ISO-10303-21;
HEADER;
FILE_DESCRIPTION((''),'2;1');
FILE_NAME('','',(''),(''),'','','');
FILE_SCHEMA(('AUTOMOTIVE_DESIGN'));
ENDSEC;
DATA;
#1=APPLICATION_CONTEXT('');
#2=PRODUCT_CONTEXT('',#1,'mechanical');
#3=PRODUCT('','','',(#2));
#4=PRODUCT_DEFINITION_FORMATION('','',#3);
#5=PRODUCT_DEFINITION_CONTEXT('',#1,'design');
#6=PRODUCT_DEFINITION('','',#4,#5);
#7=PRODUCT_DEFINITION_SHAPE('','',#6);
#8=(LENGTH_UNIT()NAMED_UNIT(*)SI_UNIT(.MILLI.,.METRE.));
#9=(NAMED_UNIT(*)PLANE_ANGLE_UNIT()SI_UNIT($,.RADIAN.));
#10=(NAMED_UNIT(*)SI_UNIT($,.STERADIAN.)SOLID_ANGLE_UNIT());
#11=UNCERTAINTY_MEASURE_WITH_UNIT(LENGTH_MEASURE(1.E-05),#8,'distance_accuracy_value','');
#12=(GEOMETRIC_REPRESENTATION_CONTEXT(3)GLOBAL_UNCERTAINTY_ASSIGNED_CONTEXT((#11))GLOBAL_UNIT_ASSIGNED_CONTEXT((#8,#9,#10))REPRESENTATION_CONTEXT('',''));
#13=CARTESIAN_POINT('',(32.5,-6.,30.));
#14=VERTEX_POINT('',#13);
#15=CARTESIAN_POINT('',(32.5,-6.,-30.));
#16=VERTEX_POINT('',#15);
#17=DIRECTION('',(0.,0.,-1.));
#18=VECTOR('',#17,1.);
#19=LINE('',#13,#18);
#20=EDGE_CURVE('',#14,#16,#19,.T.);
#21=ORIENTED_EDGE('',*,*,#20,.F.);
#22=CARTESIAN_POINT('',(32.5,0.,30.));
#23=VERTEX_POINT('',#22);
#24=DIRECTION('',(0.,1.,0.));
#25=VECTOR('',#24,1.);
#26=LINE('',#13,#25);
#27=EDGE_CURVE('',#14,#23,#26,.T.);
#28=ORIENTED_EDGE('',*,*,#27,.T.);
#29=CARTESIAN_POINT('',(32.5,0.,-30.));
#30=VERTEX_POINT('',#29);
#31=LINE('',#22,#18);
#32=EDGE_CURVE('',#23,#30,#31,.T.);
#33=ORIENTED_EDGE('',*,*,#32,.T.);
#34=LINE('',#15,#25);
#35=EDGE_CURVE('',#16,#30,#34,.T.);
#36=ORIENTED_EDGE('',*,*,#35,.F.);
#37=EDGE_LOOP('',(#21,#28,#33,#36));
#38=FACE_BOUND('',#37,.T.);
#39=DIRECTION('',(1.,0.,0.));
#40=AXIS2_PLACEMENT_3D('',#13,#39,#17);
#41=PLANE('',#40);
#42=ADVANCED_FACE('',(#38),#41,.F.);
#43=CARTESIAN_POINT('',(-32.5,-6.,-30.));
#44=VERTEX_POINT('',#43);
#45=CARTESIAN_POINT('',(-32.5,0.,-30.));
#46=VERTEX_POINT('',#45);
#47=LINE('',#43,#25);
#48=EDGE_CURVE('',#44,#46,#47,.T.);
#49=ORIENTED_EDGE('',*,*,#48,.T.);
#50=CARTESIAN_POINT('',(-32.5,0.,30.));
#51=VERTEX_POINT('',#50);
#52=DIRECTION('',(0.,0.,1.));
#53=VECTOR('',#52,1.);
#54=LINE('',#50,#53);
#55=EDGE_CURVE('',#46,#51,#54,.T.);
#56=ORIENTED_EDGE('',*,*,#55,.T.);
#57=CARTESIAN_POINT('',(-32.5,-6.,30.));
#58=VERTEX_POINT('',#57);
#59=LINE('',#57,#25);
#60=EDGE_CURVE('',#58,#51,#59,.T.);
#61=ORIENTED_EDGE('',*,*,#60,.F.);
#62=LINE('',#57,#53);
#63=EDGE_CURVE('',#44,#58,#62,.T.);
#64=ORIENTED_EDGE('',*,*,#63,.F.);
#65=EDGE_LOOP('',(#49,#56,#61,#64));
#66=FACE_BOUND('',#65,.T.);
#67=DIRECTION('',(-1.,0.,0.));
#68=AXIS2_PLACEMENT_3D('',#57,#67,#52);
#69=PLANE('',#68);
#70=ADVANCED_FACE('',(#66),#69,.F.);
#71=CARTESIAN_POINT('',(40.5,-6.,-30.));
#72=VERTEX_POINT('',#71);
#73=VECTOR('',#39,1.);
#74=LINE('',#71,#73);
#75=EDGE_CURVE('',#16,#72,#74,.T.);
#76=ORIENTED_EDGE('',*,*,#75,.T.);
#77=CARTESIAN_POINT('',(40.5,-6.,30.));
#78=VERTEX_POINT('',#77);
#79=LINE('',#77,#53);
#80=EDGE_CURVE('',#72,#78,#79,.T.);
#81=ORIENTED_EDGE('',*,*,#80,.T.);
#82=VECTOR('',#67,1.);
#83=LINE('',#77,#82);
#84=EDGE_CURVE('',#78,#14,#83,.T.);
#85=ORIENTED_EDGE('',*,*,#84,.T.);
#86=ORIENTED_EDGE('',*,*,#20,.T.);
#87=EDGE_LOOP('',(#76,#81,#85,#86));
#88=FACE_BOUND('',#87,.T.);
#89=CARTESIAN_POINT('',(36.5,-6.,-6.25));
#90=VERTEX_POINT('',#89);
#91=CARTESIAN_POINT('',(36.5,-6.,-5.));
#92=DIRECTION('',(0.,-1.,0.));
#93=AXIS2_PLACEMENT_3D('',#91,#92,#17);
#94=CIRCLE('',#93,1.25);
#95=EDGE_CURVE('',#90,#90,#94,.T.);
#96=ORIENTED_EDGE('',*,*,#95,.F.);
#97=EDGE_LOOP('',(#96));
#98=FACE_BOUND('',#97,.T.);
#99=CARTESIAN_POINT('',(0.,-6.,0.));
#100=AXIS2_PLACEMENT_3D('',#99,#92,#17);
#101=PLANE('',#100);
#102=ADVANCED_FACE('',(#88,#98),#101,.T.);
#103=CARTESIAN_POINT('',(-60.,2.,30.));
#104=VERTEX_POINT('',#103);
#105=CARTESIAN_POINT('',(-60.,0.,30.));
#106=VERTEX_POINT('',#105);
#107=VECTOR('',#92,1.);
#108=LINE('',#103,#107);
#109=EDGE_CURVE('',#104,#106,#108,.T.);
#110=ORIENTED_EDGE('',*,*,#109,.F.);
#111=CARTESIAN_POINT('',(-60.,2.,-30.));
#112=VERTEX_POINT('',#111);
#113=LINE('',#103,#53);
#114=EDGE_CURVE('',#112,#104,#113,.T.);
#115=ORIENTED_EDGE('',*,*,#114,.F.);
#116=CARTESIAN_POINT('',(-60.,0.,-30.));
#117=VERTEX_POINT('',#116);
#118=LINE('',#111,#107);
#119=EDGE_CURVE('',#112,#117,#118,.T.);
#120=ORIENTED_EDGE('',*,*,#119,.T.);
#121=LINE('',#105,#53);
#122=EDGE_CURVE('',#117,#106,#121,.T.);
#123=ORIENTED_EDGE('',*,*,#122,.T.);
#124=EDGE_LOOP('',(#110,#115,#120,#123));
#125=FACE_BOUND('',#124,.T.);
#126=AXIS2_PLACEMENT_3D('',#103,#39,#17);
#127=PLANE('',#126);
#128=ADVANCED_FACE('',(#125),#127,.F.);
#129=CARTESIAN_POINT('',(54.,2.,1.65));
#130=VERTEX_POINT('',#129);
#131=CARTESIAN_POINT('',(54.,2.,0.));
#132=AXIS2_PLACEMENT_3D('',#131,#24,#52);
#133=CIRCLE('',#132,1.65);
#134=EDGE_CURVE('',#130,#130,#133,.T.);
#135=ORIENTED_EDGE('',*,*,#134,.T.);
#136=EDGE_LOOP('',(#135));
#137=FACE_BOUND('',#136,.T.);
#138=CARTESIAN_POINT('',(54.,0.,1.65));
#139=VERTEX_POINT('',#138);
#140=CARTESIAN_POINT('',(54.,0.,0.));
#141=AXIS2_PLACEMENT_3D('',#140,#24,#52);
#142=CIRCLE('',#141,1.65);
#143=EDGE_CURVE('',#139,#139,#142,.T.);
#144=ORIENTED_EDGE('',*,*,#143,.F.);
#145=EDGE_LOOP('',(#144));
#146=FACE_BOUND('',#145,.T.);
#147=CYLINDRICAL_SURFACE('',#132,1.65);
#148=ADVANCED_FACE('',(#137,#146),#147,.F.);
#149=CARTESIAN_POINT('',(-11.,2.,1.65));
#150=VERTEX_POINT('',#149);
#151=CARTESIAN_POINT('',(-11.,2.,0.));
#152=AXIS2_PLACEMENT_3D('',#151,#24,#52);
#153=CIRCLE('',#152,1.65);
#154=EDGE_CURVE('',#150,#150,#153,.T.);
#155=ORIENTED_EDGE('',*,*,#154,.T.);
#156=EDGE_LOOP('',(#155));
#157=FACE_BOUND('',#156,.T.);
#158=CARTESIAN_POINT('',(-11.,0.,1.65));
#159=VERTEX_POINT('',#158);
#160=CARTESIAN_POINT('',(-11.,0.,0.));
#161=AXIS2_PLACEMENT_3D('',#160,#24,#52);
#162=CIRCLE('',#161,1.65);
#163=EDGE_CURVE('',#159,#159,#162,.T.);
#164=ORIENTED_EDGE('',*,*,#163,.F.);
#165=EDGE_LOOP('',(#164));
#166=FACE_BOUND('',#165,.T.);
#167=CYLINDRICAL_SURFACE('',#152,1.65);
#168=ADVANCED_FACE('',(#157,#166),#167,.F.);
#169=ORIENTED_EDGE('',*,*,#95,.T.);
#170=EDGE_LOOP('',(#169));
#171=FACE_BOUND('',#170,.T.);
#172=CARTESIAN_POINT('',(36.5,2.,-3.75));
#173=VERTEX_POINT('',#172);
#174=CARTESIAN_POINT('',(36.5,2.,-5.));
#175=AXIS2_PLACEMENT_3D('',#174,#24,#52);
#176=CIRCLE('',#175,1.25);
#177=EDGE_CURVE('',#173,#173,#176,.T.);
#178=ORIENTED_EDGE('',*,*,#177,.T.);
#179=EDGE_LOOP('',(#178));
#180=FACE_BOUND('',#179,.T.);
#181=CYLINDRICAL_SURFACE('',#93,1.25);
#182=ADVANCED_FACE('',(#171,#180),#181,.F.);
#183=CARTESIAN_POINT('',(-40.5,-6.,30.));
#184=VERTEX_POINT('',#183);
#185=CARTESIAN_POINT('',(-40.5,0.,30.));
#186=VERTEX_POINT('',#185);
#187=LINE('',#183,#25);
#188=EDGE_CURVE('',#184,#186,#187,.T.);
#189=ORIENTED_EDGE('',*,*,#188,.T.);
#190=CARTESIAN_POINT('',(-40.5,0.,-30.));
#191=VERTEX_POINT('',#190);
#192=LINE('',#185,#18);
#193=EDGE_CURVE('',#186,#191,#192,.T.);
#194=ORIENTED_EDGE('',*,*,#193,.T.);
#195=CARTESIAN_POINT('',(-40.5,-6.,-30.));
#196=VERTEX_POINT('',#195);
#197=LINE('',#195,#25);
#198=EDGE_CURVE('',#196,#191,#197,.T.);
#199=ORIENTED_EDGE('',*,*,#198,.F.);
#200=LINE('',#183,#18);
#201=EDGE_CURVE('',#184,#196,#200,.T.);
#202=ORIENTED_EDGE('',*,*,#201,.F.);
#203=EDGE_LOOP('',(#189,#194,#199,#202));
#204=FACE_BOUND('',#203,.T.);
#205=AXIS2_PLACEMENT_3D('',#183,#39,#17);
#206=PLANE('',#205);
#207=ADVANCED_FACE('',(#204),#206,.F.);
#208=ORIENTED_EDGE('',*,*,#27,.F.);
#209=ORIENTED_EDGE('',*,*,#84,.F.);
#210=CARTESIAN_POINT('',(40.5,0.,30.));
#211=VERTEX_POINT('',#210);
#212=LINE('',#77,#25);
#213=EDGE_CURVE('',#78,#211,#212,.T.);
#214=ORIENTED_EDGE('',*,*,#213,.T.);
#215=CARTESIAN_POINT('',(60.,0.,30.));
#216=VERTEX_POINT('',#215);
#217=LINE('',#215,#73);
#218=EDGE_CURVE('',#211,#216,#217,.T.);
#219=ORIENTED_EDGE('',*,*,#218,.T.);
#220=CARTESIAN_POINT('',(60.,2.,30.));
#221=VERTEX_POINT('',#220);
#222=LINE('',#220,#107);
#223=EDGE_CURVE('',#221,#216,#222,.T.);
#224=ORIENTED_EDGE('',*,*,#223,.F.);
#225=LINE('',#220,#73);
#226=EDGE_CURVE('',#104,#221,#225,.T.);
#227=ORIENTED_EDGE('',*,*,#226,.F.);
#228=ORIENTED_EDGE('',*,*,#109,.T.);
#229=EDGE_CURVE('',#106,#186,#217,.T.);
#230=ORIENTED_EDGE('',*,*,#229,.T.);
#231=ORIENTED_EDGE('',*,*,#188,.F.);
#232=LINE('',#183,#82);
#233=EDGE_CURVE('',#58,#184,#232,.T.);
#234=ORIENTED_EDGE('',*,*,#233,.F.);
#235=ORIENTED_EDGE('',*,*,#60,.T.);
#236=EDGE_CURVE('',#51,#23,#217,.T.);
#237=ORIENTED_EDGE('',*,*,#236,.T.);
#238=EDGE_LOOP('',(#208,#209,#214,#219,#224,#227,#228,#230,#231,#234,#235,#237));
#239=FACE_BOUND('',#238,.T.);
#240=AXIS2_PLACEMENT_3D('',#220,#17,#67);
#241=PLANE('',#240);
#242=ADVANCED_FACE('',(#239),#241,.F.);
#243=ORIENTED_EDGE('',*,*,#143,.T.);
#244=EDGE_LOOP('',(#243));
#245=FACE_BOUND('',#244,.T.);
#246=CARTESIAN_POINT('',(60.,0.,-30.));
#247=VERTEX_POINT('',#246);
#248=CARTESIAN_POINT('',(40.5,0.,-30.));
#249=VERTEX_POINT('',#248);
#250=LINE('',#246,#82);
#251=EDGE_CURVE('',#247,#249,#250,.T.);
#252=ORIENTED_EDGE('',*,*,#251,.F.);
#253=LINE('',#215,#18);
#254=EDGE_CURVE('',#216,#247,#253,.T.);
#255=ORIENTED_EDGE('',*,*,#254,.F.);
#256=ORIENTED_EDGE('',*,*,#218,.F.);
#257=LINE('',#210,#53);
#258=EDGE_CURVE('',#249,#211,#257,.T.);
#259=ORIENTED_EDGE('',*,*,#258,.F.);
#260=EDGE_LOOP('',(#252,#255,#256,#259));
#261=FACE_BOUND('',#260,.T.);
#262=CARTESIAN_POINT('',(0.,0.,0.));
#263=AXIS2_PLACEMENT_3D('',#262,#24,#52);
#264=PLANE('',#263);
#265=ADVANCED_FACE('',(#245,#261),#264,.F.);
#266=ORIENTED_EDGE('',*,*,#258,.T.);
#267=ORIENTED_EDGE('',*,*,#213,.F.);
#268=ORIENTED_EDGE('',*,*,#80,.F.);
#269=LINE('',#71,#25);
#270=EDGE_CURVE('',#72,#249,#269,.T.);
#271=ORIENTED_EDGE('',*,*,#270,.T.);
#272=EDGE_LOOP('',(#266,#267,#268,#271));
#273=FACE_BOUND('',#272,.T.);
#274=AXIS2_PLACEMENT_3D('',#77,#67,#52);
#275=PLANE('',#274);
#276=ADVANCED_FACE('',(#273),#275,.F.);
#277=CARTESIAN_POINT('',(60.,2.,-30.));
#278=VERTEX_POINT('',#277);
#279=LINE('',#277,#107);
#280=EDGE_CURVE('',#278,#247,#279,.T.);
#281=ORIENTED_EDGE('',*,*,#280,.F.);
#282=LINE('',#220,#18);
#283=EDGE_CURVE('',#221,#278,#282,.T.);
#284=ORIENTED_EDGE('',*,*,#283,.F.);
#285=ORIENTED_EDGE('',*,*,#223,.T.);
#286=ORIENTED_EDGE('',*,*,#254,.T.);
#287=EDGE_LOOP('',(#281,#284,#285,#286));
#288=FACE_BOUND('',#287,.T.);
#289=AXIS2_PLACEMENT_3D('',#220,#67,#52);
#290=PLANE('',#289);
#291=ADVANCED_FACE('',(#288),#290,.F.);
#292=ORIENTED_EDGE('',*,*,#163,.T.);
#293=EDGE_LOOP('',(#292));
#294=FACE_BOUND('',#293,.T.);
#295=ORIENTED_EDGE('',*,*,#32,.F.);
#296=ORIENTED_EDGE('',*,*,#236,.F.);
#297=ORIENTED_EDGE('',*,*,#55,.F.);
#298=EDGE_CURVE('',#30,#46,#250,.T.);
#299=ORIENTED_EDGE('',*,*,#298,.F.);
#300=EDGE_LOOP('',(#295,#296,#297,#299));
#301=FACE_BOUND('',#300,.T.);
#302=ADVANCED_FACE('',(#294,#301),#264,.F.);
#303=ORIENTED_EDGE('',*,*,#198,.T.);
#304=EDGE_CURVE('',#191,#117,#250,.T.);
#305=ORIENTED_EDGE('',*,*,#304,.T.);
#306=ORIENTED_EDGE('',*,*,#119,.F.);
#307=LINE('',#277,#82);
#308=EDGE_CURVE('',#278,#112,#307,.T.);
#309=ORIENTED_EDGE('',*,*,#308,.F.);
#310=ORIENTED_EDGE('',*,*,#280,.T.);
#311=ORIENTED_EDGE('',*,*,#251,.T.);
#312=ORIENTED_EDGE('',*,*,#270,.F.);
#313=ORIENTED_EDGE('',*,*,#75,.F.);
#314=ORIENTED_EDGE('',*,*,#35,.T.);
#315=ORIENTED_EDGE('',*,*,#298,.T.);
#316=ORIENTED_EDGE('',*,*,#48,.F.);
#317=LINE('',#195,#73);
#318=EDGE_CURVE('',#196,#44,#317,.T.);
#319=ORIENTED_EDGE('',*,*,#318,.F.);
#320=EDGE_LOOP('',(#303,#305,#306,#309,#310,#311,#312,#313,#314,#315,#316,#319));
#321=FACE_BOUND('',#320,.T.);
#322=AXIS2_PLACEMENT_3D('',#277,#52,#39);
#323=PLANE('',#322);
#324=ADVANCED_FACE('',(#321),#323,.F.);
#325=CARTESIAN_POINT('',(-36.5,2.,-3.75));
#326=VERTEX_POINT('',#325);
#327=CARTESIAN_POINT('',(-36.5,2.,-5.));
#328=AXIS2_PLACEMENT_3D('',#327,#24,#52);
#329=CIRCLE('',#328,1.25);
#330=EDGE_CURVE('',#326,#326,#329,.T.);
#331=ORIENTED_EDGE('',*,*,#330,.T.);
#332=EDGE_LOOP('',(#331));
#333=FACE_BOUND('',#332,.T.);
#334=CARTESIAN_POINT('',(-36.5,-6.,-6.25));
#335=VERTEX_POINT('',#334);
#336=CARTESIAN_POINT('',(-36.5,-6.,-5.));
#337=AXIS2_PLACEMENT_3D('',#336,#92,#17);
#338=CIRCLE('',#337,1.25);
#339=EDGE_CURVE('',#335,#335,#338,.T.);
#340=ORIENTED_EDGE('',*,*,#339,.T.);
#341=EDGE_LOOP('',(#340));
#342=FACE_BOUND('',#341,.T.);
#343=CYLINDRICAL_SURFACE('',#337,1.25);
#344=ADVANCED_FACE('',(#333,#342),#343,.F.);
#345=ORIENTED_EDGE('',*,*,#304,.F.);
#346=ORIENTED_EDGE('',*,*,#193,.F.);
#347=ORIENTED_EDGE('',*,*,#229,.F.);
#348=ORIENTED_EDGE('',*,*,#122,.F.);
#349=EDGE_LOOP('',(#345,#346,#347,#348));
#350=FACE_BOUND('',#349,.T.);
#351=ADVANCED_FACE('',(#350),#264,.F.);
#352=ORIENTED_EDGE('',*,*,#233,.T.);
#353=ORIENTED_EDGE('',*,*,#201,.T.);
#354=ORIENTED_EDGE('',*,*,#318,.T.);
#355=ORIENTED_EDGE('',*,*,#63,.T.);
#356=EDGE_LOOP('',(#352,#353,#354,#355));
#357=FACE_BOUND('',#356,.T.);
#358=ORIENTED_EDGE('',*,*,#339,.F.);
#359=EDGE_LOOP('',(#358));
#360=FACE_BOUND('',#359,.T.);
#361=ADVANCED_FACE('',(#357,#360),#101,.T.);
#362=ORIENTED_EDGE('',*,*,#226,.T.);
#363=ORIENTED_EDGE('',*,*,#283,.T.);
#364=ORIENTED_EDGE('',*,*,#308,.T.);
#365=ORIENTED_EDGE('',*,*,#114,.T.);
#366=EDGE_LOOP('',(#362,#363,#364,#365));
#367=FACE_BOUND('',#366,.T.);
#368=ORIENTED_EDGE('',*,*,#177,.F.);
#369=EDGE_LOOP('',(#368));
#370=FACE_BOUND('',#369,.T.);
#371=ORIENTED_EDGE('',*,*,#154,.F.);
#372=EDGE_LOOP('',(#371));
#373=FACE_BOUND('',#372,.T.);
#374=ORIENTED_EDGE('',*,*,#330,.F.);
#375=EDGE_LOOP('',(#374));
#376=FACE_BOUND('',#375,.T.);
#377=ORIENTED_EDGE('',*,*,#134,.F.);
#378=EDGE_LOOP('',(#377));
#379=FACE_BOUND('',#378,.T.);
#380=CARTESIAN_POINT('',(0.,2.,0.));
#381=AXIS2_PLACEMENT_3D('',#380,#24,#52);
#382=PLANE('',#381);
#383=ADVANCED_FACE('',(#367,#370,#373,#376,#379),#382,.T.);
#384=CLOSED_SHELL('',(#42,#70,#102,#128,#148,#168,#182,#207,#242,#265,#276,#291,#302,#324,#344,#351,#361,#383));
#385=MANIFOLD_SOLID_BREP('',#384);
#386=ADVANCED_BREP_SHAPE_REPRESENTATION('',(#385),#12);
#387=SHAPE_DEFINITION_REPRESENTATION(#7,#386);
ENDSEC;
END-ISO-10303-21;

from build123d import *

# Parameters (mm, degrees)
SKETCH_1_W             = 120
SKETCH_1_H             = 60
EXTRUDE_1_DEPTH        = 2
SKETCH_2_W             = 8
SKETCH_2_H             = 60
EXTRUDE_2_DEPTH        = 6
HOLE_WIZARD_M3_1_D     = 2.5
HOLE_WIZARD_M3_1_DEPTH = 8.5
HOLE_WIZARD_M3_1_TIP   = 0.751075774
HOLE_WIZARD_M4_1_D     = 3.3


with BuildPart() as part:
    # 草图1 → 凸台-拉伸1 (new body)
    with BuildSketch(Plane(origin=(0, 0, 0), x_dir=(1, 0, 0), z_dir=(0, 1, 0))):
        Rectangle(SKETCH_1_W, SKETCH_1_H)
    extrude(amount=EXTRUDE_1_DEPTH)

    # 草图2 → 凸台-拉伸2 (add)
    with BuildSketch(Plane.XZ):
        with Locations((-36.5, 0)):
            Rectangle(SKETCH_2_W, SKETCH_2_H)
        with Locations((36.5, 0)):
            Rectangle(SKETCH_2_W, SKETCH_2_H)
    extrude(amount=EXTRUDE_2_DEPTH)

    # M3 螺纹孔1
    with Locations(Plane(origin=(0, -6, 0), x_dir=(-1, 0, 0), z_dir=(0, -1, 0))):
        with Locations((36.5, 5), (-36.5, 5)):
            Hole(HOLE_WIZARD_M3_1_D / 2, depth=HOLE_WIZARD_M3_1_DEPTH)
            with Locations((0, 0, -(HOLE_WIZARD_M3_1_DEPTH + HOLE_WIZARD_M3_1_TIP / 2))):  # 118° drill point
                Cone(0, HOLE_WIZARD_M3_1_D / 2, HOLE_WIZARD_M3_1_TIP, mode=Mode.SUBTRACT)

    # M4 螺纹孔1 (through all)
    with Locations(Plane(origin=(0, 2, 0), x_dir=(1, 0, 0), z_dir=(0, 1, 0))):
        with Locations((54, 0), (-11, 0)):
            Hole(HOLE_WIZARD_M4_1_D / 2)


solid = part.part
